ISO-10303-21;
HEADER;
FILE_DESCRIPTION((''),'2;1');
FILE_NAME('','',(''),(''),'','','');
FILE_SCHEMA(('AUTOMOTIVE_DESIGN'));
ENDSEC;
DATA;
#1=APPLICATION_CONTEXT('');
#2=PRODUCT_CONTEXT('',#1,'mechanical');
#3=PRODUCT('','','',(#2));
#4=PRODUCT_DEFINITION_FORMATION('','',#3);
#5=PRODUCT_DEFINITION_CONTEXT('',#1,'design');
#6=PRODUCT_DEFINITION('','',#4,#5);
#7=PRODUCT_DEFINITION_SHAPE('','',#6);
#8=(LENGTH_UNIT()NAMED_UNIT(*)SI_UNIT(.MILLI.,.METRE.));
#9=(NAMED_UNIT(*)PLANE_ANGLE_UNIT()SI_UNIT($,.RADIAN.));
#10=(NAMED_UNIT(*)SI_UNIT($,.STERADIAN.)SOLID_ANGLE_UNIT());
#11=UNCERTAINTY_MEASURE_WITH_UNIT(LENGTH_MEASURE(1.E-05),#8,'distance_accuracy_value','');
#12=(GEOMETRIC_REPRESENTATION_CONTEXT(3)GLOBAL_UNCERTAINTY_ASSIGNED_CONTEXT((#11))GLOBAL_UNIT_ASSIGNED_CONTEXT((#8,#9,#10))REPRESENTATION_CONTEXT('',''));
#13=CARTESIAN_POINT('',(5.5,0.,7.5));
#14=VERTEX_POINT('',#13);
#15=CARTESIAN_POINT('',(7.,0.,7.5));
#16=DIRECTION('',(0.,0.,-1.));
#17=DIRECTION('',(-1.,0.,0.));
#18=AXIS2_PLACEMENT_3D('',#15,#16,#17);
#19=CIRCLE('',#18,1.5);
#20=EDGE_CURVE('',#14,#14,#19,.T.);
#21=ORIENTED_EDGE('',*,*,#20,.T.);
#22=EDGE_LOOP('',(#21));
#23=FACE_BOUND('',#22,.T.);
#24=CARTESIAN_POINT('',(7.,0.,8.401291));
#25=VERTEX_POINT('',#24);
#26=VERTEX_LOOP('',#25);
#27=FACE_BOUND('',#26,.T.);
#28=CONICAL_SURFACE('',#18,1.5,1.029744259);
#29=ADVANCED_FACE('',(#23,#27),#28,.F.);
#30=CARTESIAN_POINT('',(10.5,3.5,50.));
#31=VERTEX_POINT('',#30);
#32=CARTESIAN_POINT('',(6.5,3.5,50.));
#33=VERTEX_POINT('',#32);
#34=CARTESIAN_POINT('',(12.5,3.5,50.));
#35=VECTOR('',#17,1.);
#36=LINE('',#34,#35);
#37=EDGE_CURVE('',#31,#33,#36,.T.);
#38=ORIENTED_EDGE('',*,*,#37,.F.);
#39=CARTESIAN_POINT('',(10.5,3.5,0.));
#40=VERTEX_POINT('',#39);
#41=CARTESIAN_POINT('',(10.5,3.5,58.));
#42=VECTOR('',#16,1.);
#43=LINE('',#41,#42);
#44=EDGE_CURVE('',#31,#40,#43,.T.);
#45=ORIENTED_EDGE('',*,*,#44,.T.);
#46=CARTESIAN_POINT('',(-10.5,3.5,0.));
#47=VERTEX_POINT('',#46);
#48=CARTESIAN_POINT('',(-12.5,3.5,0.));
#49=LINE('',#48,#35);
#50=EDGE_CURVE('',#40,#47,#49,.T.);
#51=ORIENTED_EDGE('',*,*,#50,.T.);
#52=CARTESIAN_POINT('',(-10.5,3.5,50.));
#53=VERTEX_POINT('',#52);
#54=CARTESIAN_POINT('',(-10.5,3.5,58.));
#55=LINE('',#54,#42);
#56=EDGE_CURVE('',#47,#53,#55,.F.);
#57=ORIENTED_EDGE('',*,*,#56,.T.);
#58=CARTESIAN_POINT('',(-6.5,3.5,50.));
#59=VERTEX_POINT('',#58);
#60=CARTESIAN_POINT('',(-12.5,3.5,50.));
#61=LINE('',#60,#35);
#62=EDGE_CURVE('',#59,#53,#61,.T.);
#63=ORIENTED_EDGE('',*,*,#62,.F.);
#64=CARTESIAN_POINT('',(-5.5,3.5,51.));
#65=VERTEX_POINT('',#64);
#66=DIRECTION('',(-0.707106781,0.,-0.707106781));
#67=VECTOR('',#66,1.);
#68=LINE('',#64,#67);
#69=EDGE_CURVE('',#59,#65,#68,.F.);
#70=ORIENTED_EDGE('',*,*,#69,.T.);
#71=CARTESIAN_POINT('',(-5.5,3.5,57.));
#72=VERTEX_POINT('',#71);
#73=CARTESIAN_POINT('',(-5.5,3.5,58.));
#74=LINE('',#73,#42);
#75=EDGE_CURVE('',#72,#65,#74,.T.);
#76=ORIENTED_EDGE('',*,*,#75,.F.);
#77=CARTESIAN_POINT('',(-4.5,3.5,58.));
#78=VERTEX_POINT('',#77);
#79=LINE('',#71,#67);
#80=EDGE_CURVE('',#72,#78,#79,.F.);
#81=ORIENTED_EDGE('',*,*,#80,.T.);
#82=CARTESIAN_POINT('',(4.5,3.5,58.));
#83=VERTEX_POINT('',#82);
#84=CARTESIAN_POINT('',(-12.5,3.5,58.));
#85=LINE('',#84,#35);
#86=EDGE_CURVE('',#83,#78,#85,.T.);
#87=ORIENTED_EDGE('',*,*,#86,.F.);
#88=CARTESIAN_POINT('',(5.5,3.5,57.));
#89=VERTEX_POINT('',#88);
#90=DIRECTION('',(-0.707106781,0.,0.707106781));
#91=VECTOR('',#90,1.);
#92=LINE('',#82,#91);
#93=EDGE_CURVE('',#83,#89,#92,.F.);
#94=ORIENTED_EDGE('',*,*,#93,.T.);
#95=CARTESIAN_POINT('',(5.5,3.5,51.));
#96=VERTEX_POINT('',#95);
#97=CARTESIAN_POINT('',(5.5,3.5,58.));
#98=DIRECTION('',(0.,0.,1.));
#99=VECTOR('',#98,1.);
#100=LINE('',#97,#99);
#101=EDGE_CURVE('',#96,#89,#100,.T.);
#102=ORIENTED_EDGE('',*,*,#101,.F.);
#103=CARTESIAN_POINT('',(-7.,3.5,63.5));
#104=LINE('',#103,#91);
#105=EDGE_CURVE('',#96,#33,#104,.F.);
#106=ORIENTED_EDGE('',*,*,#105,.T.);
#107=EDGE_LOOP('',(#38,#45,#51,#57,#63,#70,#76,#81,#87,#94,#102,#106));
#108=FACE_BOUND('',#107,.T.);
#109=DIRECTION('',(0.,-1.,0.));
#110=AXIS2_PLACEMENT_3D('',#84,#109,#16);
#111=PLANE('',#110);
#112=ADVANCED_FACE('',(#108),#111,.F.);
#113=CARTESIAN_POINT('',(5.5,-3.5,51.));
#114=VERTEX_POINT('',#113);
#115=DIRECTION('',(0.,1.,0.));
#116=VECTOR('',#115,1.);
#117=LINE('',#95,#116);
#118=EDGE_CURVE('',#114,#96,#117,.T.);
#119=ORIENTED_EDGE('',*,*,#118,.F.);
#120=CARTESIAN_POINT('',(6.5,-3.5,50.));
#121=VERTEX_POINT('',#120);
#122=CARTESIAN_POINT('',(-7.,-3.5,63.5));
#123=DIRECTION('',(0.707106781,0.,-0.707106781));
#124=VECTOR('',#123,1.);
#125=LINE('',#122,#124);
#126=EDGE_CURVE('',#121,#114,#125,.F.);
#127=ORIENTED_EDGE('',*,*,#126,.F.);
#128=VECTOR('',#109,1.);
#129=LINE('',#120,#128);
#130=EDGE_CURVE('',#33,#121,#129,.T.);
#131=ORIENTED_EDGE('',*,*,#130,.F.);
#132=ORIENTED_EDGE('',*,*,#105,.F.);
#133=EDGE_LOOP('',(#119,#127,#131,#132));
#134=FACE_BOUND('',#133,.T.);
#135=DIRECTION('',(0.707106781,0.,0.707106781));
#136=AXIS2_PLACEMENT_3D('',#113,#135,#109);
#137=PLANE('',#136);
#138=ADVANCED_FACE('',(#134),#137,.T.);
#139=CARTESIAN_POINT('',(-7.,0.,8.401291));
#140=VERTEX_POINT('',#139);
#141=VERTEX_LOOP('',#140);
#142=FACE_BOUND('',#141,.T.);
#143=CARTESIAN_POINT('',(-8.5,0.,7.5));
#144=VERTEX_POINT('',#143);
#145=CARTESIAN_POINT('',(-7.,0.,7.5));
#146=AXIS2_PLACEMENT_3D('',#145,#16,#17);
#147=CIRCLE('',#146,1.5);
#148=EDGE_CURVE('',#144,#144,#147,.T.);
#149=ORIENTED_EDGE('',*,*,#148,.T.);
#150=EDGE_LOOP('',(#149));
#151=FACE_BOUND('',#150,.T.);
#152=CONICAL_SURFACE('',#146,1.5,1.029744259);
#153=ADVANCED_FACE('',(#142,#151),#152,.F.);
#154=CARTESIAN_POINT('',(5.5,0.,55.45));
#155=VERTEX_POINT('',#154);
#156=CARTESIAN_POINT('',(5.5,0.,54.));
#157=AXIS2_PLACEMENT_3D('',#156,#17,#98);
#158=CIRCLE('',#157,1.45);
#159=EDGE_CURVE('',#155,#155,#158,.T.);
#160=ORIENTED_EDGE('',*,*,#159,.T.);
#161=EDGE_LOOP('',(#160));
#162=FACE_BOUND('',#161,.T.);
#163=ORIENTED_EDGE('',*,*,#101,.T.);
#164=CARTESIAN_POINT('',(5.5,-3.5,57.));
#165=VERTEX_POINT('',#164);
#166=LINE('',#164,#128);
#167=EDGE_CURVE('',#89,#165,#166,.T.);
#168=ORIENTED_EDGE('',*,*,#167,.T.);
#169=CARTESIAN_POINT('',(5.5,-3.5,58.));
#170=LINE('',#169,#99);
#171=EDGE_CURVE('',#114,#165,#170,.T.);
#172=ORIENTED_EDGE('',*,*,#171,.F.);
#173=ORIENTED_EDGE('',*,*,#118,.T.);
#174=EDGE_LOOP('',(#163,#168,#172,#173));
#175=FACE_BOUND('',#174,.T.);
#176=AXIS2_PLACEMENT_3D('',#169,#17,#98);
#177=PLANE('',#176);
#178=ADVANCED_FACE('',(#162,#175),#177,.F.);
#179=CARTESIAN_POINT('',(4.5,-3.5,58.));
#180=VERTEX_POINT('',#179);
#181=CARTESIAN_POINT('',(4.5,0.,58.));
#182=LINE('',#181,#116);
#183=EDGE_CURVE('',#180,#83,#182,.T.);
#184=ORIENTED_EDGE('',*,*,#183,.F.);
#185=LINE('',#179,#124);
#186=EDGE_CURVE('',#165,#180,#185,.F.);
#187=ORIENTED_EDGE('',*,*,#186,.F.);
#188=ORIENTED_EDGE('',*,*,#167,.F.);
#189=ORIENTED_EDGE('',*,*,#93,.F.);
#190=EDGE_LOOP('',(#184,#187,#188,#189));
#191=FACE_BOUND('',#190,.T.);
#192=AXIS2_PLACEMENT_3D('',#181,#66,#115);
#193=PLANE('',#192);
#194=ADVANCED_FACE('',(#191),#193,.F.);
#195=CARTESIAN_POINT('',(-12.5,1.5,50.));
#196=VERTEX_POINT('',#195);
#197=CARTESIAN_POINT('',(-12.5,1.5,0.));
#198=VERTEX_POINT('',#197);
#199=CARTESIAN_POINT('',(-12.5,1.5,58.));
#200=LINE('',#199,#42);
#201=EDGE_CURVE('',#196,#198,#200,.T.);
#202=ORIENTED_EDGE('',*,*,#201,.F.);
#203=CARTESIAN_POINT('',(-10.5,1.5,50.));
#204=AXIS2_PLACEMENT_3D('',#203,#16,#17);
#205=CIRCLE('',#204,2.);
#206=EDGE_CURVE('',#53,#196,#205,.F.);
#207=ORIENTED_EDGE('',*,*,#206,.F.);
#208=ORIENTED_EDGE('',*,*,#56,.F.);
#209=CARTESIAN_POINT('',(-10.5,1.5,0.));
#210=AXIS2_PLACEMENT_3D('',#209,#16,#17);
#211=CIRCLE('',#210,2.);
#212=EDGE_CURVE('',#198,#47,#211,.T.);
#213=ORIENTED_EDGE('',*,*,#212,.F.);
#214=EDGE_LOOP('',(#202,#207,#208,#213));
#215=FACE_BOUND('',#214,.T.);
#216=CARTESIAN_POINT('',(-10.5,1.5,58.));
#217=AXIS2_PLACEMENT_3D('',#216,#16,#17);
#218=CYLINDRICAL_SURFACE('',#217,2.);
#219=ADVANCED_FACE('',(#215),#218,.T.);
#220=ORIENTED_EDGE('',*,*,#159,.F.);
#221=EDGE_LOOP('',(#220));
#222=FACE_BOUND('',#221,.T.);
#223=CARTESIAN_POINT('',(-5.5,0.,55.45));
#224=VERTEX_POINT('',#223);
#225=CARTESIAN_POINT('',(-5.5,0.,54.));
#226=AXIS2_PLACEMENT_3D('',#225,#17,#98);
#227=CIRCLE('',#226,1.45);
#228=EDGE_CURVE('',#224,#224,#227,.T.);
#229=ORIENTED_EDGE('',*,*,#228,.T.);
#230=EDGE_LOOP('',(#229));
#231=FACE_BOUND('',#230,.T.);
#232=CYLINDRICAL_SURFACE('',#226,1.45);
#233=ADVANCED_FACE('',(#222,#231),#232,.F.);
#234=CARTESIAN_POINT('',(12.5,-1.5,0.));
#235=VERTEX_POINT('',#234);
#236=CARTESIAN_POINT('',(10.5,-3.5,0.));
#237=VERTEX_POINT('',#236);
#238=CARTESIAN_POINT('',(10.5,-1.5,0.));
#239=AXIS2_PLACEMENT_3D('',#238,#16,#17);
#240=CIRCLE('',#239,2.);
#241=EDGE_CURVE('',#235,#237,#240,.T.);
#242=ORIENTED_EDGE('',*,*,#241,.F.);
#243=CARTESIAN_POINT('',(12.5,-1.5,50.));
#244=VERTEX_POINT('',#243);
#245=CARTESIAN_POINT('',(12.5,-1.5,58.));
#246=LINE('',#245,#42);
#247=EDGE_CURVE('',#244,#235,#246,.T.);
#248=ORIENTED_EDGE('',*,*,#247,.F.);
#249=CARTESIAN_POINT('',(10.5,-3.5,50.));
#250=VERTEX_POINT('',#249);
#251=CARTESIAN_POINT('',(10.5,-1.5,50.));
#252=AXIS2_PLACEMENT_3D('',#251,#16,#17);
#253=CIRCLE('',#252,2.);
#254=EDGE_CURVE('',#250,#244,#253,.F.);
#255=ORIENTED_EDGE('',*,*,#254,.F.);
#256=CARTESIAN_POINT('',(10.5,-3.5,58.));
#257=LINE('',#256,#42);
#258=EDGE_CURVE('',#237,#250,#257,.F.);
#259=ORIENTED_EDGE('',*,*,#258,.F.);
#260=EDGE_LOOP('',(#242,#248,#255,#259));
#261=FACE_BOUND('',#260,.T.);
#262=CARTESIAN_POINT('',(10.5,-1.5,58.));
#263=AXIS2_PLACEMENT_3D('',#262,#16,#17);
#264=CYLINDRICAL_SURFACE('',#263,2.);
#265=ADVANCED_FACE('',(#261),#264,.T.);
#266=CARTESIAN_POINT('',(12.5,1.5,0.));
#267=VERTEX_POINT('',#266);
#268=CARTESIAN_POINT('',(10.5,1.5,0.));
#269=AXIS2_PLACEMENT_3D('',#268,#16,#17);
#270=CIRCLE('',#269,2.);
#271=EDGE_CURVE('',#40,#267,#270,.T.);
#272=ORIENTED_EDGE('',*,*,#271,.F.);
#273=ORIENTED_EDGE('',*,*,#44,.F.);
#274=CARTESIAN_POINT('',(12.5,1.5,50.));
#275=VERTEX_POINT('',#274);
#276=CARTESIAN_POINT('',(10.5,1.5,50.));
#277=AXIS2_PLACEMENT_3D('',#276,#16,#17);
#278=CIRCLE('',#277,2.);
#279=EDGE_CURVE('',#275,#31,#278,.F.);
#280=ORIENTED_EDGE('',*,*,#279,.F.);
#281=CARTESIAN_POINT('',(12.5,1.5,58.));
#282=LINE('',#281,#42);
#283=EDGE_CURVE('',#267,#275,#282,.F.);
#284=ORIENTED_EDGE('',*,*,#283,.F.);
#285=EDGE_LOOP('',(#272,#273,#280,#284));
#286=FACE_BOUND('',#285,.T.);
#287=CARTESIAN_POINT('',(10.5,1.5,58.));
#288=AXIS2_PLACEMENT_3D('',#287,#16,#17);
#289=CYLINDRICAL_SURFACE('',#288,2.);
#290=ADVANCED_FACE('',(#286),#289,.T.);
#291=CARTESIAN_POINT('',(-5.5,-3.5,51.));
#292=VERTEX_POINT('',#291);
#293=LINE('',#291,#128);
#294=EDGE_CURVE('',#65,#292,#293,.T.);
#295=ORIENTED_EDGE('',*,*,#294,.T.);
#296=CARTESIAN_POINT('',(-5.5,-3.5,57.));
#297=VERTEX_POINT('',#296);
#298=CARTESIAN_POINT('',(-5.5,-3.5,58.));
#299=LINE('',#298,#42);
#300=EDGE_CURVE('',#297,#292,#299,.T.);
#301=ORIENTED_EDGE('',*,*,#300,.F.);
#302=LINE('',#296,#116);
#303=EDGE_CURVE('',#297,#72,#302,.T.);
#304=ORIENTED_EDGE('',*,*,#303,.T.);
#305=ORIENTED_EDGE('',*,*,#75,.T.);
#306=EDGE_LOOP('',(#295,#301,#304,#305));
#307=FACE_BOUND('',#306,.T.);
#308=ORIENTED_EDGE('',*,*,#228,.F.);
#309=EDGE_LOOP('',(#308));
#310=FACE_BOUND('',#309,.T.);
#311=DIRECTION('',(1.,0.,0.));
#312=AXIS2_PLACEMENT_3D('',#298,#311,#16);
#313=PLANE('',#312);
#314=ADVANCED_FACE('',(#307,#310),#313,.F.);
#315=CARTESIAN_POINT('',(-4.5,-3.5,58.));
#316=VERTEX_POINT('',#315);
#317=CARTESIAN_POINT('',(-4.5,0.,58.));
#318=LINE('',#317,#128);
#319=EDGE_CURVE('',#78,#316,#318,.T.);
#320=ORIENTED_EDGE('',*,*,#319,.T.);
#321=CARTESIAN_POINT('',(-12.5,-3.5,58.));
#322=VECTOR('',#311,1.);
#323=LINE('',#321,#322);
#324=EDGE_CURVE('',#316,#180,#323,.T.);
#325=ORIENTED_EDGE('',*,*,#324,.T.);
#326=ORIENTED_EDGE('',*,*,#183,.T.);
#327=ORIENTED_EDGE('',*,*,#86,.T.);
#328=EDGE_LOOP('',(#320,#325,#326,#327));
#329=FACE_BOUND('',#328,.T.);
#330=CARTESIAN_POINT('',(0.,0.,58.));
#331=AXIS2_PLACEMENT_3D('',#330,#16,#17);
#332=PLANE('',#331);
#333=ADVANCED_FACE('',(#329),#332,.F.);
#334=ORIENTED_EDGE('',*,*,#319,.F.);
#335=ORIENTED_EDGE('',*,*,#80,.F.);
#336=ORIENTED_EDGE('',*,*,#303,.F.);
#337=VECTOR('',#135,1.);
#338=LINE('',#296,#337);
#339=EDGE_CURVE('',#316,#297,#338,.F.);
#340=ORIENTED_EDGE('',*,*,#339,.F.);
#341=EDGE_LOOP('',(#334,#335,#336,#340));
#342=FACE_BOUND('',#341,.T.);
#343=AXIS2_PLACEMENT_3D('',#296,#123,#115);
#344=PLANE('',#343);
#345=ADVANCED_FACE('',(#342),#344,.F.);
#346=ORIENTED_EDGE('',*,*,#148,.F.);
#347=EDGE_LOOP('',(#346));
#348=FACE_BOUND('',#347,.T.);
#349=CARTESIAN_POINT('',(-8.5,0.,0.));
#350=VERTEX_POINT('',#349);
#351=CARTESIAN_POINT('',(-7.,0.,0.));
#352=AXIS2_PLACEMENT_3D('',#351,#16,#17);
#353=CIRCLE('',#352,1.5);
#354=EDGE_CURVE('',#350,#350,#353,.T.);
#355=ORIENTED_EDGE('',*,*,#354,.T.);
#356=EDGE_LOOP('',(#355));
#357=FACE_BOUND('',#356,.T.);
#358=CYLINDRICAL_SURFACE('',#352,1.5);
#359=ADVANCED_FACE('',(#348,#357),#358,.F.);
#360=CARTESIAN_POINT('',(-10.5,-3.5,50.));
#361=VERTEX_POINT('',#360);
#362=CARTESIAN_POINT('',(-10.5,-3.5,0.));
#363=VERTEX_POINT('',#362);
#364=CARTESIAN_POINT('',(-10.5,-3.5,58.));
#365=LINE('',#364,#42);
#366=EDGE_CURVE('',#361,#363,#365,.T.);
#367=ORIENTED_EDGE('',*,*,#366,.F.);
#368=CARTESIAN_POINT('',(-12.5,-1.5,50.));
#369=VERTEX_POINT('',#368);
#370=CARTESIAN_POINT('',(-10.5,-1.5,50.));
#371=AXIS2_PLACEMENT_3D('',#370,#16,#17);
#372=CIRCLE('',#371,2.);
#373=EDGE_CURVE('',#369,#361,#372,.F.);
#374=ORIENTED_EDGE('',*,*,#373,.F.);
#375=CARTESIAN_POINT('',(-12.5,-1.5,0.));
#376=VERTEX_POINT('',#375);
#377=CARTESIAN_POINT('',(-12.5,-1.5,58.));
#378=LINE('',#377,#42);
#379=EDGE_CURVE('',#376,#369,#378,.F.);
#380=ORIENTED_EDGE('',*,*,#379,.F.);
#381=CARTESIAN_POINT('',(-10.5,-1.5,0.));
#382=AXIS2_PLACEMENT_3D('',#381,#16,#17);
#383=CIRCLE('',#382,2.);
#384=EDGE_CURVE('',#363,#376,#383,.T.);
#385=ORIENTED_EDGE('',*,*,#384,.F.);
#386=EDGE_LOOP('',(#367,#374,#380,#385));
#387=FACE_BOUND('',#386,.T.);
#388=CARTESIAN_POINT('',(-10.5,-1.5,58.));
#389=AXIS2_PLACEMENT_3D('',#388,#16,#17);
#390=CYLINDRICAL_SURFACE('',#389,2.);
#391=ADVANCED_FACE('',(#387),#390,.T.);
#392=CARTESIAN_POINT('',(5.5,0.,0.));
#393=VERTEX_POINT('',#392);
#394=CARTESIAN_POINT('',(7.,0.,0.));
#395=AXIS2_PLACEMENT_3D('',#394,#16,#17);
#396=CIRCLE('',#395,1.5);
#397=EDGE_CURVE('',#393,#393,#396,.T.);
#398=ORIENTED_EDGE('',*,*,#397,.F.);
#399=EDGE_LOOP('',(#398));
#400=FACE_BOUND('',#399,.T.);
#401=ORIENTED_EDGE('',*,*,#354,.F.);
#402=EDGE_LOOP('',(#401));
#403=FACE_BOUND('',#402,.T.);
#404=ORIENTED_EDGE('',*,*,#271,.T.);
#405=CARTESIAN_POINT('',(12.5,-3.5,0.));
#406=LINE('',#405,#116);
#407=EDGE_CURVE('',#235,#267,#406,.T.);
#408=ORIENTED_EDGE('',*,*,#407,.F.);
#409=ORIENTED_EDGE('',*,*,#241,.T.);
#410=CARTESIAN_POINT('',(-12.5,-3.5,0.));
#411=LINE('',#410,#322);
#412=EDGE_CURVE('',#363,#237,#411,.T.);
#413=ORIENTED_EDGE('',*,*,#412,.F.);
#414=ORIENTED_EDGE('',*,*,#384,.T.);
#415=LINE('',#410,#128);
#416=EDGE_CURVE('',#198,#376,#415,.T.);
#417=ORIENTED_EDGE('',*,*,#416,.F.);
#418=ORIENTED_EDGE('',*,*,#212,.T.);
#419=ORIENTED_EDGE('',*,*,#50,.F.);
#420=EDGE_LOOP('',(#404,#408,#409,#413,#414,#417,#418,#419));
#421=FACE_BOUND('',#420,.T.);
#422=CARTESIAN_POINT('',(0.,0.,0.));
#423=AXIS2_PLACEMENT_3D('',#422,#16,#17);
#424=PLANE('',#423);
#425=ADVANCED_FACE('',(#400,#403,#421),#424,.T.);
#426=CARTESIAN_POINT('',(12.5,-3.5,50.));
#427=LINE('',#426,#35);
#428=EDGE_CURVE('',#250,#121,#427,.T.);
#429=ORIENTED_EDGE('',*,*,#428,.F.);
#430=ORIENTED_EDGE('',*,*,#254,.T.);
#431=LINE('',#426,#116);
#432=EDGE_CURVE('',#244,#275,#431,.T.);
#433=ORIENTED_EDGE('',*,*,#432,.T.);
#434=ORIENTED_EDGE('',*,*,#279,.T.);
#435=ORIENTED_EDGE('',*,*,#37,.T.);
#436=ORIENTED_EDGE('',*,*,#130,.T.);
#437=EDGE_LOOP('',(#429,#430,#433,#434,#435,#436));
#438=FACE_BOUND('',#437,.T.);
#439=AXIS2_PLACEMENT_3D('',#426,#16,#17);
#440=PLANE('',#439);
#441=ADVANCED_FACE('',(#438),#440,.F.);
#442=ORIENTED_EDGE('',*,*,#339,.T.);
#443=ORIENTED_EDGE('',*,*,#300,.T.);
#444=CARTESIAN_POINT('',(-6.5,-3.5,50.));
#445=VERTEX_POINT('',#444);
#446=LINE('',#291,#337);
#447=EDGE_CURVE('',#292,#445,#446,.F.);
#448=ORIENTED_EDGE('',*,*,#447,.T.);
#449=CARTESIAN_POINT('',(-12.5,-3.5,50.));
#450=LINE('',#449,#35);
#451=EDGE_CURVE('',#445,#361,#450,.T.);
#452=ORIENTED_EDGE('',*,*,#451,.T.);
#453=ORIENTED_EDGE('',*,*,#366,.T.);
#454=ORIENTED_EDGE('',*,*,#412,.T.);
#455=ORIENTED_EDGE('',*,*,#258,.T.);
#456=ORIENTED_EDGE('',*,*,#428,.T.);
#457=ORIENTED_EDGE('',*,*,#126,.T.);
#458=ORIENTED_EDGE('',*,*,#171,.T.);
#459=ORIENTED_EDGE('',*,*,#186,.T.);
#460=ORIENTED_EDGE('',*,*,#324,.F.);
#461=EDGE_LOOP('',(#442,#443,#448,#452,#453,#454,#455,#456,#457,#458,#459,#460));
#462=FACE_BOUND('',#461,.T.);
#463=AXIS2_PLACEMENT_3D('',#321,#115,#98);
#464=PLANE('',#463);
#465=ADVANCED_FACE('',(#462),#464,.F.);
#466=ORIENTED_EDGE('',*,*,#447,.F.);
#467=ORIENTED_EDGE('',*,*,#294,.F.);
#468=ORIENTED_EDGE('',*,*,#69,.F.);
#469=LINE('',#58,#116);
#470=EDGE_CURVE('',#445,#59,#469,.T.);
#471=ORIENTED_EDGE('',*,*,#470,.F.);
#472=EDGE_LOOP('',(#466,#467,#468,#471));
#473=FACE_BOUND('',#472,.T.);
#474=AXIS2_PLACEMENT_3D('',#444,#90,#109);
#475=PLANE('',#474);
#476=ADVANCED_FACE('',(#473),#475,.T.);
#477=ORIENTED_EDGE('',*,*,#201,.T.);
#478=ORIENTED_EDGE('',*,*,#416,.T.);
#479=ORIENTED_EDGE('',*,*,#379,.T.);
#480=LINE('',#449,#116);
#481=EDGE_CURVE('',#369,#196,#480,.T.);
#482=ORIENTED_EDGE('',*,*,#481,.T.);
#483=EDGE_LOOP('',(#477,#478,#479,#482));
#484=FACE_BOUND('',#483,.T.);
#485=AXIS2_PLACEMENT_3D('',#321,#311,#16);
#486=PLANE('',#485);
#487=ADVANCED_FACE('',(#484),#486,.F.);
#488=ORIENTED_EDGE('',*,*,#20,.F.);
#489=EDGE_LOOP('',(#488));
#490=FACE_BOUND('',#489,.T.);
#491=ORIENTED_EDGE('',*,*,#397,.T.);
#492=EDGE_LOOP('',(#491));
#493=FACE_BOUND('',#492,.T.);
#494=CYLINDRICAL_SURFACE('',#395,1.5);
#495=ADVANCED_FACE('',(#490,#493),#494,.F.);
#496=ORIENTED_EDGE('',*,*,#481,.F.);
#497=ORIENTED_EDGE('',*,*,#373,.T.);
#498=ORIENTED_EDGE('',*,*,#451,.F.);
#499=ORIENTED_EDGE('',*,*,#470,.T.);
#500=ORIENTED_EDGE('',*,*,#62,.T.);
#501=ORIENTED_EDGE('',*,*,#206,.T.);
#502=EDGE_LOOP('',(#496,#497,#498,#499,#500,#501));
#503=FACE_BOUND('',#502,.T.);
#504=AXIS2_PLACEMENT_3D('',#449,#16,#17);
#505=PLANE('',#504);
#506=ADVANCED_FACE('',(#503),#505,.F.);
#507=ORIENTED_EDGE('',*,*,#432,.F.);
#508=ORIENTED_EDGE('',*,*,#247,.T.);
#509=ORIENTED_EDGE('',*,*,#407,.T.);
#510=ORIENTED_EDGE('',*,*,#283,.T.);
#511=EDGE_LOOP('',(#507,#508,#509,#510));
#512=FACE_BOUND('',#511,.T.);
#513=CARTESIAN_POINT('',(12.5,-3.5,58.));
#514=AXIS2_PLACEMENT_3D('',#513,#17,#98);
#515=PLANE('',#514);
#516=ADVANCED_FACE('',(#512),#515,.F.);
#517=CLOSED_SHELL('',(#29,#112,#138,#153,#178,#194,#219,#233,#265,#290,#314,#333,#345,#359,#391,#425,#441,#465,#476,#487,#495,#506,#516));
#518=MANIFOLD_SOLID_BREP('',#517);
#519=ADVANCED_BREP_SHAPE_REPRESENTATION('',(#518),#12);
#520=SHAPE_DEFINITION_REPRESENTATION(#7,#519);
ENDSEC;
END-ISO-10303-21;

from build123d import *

# Parameters (mm, degrees)
SKETCH1_W                 = 25
SKETCH1_H                 = 7
BOSS_EXTRUDE1_DEPTH       = 58
SKETCH2_W                 = 7
SKETCH2_H                 = 8
CUT_EXTRUDE1_DEPTH        = 60.74320045
M3X0_5_TAPPED_HOLE2_D     = 3
M3X0_5_TAPPED_HOLE2_DEPTH = 7.5
M3X0_5_TAPPED_HOLE2_TIP   = 0.901290929
CHAMFER1_SIZE             = 1
M2_5_CLEARANCE_HOLE1_D    = 2.9
FILLET1_R                 = 2
CHAMFER2_SIZE             = 1


with BuildPart() as part:
    # Sketch1 → Boss-Extrude1 (new body)
    with BuildSketch(Plane.XY):
        Rectangle(SKETCH1_W, SKETCH1_H)
    extrude(amount=BOSS_EXTRUDE1_DEPTH)

    # Sketch2 → Cut-Extrude1 (cut, through all)
    with BuildSketch(Plane(origin=(0, 3.5, 0), x_dir=(1, 0, 0), z_dir=(0, 1, 0))):
        with Locations((-9, -54)):
            Rectangle(SKETCH2_W, SKETCH2_H)
        with Locations((9, -54)):
            Rectangle(SKETCH2_W, SKETCH2_H)
    extrude(amount=-CUT_EXTRUDE1_DEPTH, mode=Mode.SUBTRACT)

    # M3x0.5 Tapped Hole2
    with Locations(Plane(origin=(0, 0, 0), x_dir=(-1, 0, 0), z_dir=(0, 0, -1))):
        with Locations((-7, 0), (7, 0)):
            Hole(M3X0_5_TAPPED_HOLE2_D / 2, depth=M3X0_5_TAPPED_HOLE2_DEPTH)
            with Locations((0, 0, -(M3X0_5_TAPPED_HOLE2_DEPTH + M3X0_5_TAPPED_HOLE2_TIP / 2))):  # 118° drill point
                Cone(0, M3X0_5_TAPPED_HOLE2_D / 2, M3X0_5_TAPPED_HOLE2_TIP, mode=Mode.SUBTRACT)

    # Chamfer1
    chamfer1_edges = [part.edges().sort_by_distance(p)[0] for p in [
        (-5.5, 0, 58),
        (5.5, 0, 58),
    ]]
    chamfer(chamfer1_edges, length=CHAMFER1_SIZE)

    # M2.5 Clearance Hole1 (through all)
    with Locations(Plane(origin=(-5.5, -6.575007997, -1.706532938), x_dir=(0, 0, 1), z_dir=(-1, 0, 0))):
        with Locations((55.706532938, 6.575007997)):
            Hole(M2_5_CLEARANCE_HOLE1_D / 2)

    # Fillet1
    fillet1_edges = [part.edges().sort_by_distance(p)[0] for p in [
        (-12.5, -3.5, 25),
        (-12.5, 3.5, 25),
        (12.5, -3.5, 25),
        (12.5, 3.5, 25),
    ]]
    fillet(fillet1_edges, radius=FILLET1_R)

    # Chamfer2
    chamfer2_edges = [part.edges().sort_by_distance(p)[0] for p in [
        (-5.5, 0, 50),
        (5.5, 0, 50),
    ]]
    chamfer(chamfer2_edges, length=CHAMFER2_SIZE)


solid = part.part
